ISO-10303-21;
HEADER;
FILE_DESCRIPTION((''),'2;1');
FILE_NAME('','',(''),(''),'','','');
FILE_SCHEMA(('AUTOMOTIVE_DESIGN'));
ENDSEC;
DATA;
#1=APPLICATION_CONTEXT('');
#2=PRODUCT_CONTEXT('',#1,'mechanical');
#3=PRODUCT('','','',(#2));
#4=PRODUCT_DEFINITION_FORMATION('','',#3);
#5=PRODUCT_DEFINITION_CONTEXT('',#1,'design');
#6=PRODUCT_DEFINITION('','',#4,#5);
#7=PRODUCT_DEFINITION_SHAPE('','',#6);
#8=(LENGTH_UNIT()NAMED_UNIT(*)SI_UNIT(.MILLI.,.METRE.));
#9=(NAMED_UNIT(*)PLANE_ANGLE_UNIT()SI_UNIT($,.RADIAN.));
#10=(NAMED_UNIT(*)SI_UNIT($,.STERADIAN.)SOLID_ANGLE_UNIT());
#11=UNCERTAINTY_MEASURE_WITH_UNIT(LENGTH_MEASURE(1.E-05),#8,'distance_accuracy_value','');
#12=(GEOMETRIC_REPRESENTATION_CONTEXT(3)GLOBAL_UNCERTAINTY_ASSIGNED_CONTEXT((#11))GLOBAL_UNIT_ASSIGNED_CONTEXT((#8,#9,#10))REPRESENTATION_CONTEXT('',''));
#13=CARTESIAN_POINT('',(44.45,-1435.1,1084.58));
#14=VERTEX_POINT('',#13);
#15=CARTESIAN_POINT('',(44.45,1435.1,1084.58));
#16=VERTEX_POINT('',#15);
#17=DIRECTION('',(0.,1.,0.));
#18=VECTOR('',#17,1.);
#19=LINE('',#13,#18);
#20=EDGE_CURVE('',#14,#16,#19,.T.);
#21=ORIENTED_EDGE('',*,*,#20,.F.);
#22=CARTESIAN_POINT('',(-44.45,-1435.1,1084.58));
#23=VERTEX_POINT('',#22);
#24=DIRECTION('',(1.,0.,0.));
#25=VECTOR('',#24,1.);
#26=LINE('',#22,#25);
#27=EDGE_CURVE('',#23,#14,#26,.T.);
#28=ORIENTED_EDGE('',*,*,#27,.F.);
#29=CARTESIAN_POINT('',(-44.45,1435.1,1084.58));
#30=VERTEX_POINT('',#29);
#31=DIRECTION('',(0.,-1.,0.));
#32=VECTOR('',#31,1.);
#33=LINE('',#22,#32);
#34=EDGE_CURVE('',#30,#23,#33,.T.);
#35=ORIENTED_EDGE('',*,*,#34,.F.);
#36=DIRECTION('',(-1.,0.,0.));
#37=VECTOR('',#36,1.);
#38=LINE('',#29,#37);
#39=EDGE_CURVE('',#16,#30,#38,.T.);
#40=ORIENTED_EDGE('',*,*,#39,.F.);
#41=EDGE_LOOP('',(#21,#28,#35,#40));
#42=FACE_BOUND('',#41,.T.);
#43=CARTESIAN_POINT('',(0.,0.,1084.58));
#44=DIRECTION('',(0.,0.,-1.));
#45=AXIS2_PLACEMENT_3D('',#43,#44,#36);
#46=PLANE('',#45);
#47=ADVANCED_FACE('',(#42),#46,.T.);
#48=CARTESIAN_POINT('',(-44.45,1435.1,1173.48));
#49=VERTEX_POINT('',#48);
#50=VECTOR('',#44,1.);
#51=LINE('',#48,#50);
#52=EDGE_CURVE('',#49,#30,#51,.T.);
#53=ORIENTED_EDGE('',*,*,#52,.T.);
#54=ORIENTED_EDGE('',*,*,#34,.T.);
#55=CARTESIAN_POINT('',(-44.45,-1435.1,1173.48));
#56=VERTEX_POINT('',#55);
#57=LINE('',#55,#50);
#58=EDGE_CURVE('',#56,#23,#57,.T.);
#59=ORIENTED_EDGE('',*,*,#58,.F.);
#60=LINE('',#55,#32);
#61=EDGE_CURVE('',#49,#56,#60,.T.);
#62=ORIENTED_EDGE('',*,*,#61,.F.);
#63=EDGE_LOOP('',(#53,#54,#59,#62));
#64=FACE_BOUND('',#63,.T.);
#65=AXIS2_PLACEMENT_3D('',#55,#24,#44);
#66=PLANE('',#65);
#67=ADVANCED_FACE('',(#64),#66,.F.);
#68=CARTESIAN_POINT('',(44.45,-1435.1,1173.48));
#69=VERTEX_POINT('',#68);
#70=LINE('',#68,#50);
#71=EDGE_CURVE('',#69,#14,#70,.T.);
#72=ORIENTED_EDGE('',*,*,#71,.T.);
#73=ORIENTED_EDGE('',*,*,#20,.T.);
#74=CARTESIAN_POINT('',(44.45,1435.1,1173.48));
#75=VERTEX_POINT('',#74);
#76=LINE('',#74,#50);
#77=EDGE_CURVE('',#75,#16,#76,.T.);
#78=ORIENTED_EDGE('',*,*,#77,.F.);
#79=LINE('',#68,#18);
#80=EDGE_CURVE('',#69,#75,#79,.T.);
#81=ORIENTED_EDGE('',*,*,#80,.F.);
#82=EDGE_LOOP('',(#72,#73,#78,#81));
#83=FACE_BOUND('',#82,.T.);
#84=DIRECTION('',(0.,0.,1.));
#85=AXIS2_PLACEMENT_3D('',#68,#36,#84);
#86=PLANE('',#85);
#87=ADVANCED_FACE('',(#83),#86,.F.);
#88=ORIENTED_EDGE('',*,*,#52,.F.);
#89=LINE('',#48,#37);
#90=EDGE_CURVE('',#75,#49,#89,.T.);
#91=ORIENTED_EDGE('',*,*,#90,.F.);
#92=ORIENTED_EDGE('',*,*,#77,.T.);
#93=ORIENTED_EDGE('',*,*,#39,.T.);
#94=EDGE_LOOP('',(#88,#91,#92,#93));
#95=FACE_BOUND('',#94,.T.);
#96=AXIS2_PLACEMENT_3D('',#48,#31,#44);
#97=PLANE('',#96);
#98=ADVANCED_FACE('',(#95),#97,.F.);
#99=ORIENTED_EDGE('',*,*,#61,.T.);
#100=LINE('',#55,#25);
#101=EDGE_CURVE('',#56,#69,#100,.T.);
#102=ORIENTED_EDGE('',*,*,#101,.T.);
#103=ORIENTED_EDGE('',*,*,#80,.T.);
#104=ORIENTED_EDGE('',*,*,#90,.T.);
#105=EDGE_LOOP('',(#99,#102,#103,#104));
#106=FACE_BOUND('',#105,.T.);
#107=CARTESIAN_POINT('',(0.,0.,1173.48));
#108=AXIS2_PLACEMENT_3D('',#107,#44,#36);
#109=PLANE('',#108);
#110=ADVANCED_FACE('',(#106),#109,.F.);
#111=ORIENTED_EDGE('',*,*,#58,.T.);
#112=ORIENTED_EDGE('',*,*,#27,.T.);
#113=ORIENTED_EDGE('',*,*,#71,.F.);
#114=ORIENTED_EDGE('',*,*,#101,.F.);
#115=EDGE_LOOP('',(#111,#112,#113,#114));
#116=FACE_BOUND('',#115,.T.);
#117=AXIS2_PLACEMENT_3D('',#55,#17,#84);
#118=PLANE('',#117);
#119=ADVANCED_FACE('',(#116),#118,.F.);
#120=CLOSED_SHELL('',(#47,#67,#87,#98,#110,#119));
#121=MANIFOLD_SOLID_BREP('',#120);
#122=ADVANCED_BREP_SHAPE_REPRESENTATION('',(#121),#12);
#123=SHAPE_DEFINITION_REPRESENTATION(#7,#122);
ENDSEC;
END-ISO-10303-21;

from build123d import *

# Parameters (mm, degrees)
SKETCH1_W           = 2258.06
SKETCH1_H           = 72903.08
BOSS_EXTRUDE1_DEPTH = 2258.06
SCALE1_SCALE        = 0.039370079


with BuildPart() as part:
    # Sketch1 → Boss-Extrude1 (new body)
    with BuildSketch(Plane.XY):
        Rectangle(SKETCH1_W, SKETCH1_H)
    extrude(amount=BOSS_EXTRUDE1_DEPTH)


with BuildPart() as part_1:
    # Scale1: scaled about (0, 0, 1129.03)
    add(part.part.scale(SCALE1_SCALE).moved(Location((0, 0, 1084.58))))


solid = part_1.part
